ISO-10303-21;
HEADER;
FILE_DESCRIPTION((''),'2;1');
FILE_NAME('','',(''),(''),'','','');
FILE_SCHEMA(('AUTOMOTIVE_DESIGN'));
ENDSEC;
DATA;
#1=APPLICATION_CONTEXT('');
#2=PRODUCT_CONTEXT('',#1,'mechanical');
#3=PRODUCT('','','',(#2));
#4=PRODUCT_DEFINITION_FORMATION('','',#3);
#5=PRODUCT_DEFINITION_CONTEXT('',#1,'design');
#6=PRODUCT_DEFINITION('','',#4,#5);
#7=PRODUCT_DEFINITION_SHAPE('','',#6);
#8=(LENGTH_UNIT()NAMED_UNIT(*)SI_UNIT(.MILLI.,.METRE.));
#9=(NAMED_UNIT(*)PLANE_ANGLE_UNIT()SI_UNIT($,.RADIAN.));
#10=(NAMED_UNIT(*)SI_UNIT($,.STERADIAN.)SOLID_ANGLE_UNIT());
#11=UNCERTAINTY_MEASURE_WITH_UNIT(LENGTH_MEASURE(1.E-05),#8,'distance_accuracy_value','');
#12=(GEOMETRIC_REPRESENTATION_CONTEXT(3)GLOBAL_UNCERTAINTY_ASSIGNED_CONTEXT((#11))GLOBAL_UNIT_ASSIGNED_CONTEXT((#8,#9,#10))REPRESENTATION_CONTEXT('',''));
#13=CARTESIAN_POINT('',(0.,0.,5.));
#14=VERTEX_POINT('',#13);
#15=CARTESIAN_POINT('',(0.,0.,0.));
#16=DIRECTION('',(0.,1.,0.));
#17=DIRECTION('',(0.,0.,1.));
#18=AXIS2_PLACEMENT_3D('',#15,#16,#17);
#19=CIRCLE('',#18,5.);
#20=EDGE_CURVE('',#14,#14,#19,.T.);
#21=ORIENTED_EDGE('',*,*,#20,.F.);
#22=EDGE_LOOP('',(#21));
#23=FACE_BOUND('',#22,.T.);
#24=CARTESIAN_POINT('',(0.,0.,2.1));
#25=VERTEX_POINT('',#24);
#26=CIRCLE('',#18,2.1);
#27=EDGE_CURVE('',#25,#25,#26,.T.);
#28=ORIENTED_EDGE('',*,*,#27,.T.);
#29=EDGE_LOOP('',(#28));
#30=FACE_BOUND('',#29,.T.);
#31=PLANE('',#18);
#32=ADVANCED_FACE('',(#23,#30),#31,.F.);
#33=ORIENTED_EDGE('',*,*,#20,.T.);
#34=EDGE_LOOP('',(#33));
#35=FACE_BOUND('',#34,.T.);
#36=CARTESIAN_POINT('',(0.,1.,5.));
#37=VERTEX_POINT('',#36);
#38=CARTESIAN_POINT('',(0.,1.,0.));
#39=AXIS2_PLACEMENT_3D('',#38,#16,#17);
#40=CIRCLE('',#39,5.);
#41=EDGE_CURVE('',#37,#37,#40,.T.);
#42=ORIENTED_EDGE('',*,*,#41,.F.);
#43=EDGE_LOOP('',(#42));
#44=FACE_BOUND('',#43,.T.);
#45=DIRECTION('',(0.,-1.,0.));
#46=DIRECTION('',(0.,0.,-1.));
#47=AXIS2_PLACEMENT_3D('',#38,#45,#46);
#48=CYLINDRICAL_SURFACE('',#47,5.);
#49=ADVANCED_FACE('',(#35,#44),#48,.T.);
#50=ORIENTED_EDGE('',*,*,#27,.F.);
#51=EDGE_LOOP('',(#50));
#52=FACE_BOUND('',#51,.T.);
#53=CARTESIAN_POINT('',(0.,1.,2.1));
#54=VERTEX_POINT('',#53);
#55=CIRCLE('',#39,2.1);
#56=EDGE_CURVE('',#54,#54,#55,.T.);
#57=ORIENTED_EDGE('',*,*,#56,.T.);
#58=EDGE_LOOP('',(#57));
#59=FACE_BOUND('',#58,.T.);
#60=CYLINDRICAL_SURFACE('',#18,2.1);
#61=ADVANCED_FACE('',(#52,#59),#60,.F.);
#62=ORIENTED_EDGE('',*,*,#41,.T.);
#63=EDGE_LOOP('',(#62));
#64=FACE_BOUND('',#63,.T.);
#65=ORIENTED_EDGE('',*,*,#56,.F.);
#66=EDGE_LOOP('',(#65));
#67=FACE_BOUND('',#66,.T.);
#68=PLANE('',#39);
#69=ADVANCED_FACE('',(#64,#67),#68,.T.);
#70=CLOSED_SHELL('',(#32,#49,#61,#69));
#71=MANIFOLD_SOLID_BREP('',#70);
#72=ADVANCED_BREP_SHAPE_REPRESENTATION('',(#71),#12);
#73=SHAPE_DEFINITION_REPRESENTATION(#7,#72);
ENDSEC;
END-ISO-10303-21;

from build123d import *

# Parameters (mm, degrees)
CROQUIS1_R              = 5
SALIENTE_EXTRUIR1_DEPTH = 1
CROQUIS2_R              = 2.1
CORTAR_EXTRUIR1_DEPTH   = 8.141428429


with BuildPart() as part:
    # Croquis1 → Saliente-Extruir1 (new body)
    with BuildSketch(Plane(origin=(0, 0, 0), x_dir=(1, 0, 0), z_dir=(0, 1, 0))):
        with Locations(Location((0, 0, 0), (0, 0, 270))):
            Circle(CROQUIS1_R)
    extrude(amount=SALIENTE_EXTRUIR1_DEPTH)

    # Croquis2 → Cortar-Extruir1 (cut, through all)
    with BuildSketch(Plane(origin=(0, 1, 0), x_dir=(1, 0, 0), z_dir=(0, 1, 0))):
        with Locations(Location((0, 0, 0), (0, 0, 270))):
            Circle(CROQUIS2_R)
    extrude(amount=-CORTAR_EXTRUIR1_DEPTH, mode=Mode.SUBTRACT)


solid = part.part
